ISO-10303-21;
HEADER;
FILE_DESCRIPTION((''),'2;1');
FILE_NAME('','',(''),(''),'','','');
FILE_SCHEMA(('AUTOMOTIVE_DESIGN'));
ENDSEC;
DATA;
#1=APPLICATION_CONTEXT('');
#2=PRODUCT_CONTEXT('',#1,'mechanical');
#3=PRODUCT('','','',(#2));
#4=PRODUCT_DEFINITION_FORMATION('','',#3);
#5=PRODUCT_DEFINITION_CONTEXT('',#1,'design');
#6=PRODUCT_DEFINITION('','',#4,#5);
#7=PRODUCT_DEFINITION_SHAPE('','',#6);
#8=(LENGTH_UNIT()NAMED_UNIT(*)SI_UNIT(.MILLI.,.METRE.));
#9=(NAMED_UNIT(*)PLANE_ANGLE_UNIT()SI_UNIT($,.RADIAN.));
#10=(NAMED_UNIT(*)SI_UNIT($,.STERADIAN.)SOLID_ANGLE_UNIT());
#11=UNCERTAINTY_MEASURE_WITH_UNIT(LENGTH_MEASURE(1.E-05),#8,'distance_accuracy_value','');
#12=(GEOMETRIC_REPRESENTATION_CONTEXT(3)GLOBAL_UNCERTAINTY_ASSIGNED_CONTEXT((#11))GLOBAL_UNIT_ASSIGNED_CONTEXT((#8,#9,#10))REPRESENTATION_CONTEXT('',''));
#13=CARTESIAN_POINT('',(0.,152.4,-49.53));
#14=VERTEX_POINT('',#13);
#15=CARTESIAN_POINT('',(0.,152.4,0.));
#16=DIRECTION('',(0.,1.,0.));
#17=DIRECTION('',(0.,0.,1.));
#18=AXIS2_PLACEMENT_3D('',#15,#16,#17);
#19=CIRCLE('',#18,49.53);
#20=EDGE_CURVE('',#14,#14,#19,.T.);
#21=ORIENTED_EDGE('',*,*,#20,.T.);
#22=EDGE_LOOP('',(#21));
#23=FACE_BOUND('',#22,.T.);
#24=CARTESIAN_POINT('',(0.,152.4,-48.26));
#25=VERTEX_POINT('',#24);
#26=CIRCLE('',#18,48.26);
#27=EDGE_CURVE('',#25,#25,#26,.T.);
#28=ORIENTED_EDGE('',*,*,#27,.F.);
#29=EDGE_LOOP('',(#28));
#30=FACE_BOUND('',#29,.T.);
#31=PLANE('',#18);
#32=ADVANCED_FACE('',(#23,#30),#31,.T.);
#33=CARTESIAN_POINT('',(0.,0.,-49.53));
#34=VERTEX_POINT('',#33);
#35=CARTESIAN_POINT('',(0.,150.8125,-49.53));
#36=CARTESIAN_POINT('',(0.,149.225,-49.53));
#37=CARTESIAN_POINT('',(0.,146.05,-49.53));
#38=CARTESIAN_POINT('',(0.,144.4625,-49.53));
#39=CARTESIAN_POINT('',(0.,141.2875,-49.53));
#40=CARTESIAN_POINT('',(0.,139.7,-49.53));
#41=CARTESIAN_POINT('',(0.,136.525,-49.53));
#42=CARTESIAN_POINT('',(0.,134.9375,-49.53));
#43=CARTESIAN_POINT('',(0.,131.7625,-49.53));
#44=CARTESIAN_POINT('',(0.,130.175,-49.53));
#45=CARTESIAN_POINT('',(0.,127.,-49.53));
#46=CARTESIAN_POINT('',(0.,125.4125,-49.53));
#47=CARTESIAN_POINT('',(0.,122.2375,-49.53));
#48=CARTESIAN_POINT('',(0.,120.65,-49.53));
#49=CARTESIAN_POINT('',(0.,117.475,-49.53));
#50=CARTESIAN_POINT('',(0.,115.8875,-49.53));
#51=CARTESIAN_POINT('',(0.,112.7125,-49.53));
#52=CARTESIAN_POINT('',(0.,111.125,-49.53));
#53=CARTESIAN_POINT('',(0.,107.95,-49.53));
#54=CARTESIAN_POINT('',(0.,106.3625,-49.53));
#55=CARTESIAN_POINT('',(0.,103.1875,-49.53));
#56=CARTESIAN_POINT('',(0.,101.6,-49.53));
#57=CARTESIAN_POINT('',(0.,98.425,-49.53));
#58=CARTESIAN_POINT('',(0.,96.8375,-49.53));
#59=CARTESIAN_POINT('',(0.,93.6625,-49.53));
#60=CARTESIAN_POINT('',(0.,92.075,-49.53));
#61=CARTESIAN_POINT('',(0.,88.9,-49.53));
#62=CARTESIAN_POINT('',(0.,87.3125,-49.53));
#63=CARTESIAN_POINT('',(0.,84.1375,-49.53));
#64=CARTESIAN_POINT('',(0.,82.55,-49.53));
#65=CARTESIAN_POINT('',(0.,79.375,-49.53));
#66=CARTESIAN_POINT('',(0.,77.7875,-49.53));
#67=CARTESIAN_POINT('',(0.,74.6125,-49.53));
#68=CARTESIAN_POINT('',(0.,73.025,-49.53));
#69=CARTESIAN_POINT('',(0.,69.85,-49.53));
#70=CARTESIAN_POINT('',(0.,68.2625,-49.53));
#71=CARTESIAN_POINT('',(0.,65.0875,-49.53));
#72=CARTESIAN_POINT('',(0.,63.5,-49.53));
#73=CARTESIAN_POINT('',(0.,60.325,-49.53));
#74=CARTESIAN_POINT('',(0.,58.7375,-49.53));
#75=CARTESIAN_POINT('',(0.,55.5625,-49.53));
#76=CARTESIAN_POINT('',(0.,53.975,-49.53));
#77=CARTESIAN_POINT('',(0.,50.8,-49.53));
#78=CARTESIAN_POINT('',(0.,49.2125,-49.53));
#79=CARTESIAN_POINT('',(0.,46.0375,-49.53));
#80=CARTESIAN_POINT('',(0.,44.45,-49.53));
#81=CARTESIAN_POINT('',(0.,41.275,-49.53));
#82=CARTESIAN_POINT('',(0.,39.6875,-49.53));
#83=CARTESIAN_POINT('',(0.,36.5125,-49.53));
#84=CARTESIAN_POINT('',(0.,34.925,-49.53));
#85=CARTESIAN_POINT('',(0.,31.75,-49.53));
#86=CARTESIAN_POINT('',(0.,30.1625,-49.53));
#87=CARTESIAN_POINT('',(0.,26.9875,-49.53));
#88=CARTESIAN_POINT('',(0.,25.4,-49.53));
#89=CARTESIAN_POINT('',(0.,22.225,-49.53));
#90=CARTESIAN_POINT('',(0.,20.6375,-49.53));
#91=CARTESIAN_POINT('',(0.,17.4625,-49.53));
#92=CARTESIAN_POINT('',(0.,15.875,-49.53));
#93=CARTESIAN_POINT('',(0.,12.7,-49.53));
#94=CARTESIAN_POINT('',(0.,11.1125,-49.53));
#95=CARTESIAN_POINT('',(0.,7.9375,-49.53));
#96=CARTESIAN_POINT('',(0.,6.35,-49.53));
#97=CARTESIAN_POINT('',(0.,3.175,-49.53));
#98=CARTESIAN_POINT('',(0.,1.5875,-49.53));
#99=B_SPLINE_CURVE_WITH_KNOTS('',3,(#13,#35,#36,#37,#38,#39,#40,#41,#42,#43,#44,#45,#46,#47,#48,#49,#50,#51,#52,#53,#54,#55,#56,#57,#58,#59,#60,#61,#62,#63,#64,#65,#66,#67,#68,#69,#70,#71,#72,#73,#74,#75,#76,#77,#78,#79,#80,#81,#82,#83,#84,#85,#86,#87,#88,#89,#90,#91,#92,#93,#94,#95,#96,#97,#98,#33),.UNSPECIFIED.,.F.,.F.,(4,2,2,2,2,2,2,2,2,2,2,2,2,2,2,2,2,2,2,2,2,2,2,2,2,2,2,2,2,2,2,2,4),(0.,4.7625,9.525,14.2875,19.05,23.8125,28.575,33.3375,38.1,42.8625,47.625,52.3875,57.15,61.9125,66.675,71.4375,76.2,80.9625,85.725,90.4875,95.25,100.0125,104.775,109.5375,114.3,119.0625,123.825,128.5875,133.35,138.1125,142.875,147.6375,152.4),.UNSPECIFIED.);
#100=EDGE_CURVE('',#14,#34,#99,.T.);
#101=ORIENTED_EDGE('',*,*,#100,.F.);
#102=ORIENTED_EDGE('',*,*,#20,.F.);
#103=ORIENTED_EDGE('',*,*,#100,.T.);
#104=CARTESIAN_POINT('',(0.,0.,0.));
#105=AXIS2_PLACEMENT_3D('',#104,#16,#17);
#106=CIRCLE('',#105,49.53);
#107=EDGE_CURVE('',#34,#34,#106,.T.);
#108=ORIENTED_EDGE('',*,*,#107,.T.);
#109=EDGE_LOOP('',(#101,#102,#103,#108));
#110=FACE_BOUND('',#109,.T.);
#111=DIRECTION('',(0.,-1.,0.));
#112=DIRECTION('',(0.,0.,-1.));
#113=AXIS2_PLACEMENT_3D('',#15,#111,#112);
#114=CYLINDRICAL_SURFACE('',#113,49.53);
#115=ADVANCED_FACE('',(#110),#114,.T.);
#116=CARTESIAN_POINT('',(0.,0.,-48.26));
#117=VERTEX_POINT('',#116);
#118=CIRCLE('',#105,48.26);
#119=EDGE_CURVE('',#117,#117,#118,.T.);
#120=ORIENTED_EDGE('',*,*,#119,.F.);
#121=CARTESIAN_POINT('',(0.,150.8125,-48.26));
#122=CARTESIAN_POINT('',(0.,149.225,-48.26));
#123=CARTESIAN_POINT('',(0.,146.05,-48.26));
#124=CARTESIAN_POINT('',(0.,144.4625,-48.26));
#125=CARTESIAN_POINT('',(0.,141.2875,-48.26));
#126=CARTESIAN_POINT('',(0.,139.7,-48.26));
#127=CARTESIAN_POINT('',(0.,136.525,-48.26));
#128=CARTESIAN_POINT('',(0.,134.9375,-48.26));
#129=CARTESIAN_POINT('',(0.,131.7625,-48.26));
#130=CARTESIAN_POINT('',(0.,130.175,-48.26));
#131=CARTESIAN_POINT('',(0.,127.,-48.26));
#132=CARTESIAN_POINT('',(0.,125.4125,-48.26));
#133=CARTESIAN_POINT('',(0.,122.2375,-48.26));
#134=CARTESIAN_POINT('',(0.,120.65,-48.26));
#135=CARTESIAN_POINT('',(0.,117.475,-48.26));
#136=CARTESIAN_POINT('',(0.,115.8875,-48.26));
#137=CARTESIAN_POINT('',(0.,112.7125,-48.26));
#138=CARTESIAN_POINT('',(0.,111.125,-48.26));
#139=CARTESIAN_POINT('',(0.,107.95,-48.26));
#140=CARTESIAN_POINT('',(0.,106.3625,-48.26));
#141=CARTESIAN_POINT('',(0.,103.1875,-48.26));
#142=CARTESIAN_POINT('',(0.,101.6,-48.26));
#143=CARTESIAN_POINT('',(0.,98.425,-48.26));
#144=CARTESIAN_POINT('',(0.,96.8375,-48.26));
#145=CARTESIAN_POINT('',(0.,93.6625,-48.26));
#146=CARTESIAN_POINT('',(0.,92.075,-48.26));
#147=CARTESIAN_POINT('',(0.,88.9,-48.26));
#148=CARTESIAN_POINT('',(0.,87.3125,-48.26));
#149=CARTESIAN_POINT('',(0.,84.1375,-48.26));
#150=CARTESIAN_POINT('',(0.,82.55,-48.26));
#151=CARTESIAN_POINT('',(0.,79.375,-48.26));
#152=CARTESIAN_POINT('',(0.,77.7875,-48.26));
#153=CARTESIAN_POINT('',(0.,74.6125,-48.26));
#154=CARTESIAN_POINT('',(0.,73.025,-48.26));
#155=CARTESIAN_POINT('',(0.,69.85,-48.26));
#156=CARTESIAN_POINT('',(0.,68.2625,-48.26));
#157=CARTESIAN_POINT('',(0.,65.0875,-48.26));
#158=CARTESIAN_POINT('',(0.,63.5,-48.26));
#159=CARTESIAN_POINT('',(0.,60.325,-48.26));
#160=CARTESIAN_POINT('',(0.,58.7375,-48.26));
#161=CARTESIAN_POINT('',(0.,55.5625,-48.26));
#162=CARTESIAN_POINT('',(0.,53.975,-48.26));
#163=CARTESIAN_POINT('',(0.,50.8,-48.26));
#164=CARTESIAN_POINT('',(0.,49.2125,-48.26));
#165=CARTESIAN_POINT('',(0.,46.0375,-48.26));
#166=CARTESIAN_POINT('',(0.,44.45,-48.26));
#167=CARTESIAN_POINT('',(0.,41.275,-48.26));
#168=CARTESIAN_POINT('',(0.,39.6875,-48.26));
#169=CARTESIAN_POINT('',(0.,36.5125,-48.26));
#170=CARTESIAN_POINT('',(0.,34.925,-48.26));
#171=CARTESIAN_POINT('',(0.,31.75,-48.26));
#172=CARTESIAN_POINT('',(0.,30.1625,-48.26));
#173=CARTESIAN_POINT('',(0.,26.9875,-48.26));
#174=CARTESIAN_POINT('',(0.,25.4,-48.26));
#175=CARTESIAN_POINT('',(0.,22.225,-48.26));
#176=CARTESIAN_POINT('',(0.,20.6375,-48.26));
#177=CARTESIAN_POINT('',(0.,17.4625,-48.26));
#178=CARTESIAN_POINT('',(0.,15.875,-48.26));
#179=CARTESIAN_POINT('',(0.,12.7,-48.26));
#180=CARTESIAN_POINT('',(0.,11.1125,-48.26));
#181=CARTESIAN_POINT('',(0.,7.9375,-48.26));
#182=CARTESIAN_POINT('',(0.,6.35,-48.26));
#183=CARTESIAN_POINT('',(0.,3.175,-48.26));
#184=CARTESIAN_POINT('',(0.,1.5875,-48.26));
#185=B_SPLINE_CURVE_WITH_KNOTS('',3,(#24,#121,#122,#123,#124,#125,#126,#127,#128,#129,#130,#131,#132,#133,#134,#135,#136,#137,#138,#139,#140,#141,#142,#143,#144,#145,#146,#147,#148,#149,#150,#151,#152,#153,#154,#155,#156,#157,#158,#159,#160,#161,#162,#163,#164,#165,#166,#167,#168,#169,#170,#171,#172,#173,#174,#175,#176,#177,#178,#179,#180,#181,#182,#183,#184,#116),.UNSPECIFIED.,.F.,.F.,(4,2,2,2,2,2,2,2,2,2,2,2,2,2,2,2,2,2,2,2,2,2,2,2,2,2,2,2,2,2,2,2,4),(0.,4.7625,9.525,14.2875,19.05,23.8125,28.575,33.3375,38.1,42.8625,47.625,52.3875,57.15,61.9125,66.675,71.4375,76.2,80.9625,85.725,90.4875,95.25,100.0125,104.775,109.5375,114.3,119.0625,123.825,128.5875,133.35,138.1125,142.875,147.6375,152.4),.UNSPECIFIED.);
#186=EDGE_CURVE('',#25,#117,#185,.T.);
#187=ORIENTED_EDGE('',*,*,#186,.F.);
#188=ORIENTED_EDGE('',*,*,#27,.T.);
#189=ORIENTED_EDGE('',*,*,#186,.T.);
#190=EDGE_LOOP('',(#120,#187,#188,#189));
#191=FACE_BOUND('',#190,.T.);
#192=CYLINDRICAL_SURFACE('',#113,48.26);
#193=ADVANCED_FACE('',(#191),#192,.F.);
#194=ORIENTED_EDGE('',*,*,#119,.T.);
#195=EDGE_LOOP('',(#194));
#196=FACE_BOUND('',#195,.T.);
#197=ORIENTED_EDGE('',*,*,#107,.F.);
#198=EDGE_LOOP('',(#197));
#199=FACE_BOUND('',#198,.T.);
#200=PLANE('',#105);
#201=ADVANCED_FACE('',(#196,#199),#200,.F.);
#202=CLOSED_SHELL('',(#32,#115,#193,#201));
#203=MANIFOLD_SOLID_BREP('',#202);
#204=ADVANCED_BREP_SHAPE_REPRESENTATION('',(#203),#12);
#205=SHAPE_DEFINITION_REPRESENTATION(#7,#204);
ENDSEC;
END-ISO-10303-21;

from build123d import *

# Parameters (mm, degrees)
SKETCH1_R           = 49.53
SKETCH1_R_2         = 48.26
BOSS_EXTRUDE1_DEPTH = 152.4


with BuildPart() as part:
    # Sketch1 → Boss-Extrude1 (new body)
    with BuildSketch(Plane(origin=(0, 0, 0), x_dir=(1, 0, 0), z_dir=(0, 1, 0))):
        with Locations(Location((0, 0, 0), (0, 0, 90))):
            Circle(SKETCH1_R)
        with Locations(Location((0, 0, 0), (0, 0, 90))):
            Circle(SKETCH1_R_2, mode=Mode.SUBTRACT)
    extrude(amount=BOSS_EXTRUDE1_DEPTH)


solid = part.part
